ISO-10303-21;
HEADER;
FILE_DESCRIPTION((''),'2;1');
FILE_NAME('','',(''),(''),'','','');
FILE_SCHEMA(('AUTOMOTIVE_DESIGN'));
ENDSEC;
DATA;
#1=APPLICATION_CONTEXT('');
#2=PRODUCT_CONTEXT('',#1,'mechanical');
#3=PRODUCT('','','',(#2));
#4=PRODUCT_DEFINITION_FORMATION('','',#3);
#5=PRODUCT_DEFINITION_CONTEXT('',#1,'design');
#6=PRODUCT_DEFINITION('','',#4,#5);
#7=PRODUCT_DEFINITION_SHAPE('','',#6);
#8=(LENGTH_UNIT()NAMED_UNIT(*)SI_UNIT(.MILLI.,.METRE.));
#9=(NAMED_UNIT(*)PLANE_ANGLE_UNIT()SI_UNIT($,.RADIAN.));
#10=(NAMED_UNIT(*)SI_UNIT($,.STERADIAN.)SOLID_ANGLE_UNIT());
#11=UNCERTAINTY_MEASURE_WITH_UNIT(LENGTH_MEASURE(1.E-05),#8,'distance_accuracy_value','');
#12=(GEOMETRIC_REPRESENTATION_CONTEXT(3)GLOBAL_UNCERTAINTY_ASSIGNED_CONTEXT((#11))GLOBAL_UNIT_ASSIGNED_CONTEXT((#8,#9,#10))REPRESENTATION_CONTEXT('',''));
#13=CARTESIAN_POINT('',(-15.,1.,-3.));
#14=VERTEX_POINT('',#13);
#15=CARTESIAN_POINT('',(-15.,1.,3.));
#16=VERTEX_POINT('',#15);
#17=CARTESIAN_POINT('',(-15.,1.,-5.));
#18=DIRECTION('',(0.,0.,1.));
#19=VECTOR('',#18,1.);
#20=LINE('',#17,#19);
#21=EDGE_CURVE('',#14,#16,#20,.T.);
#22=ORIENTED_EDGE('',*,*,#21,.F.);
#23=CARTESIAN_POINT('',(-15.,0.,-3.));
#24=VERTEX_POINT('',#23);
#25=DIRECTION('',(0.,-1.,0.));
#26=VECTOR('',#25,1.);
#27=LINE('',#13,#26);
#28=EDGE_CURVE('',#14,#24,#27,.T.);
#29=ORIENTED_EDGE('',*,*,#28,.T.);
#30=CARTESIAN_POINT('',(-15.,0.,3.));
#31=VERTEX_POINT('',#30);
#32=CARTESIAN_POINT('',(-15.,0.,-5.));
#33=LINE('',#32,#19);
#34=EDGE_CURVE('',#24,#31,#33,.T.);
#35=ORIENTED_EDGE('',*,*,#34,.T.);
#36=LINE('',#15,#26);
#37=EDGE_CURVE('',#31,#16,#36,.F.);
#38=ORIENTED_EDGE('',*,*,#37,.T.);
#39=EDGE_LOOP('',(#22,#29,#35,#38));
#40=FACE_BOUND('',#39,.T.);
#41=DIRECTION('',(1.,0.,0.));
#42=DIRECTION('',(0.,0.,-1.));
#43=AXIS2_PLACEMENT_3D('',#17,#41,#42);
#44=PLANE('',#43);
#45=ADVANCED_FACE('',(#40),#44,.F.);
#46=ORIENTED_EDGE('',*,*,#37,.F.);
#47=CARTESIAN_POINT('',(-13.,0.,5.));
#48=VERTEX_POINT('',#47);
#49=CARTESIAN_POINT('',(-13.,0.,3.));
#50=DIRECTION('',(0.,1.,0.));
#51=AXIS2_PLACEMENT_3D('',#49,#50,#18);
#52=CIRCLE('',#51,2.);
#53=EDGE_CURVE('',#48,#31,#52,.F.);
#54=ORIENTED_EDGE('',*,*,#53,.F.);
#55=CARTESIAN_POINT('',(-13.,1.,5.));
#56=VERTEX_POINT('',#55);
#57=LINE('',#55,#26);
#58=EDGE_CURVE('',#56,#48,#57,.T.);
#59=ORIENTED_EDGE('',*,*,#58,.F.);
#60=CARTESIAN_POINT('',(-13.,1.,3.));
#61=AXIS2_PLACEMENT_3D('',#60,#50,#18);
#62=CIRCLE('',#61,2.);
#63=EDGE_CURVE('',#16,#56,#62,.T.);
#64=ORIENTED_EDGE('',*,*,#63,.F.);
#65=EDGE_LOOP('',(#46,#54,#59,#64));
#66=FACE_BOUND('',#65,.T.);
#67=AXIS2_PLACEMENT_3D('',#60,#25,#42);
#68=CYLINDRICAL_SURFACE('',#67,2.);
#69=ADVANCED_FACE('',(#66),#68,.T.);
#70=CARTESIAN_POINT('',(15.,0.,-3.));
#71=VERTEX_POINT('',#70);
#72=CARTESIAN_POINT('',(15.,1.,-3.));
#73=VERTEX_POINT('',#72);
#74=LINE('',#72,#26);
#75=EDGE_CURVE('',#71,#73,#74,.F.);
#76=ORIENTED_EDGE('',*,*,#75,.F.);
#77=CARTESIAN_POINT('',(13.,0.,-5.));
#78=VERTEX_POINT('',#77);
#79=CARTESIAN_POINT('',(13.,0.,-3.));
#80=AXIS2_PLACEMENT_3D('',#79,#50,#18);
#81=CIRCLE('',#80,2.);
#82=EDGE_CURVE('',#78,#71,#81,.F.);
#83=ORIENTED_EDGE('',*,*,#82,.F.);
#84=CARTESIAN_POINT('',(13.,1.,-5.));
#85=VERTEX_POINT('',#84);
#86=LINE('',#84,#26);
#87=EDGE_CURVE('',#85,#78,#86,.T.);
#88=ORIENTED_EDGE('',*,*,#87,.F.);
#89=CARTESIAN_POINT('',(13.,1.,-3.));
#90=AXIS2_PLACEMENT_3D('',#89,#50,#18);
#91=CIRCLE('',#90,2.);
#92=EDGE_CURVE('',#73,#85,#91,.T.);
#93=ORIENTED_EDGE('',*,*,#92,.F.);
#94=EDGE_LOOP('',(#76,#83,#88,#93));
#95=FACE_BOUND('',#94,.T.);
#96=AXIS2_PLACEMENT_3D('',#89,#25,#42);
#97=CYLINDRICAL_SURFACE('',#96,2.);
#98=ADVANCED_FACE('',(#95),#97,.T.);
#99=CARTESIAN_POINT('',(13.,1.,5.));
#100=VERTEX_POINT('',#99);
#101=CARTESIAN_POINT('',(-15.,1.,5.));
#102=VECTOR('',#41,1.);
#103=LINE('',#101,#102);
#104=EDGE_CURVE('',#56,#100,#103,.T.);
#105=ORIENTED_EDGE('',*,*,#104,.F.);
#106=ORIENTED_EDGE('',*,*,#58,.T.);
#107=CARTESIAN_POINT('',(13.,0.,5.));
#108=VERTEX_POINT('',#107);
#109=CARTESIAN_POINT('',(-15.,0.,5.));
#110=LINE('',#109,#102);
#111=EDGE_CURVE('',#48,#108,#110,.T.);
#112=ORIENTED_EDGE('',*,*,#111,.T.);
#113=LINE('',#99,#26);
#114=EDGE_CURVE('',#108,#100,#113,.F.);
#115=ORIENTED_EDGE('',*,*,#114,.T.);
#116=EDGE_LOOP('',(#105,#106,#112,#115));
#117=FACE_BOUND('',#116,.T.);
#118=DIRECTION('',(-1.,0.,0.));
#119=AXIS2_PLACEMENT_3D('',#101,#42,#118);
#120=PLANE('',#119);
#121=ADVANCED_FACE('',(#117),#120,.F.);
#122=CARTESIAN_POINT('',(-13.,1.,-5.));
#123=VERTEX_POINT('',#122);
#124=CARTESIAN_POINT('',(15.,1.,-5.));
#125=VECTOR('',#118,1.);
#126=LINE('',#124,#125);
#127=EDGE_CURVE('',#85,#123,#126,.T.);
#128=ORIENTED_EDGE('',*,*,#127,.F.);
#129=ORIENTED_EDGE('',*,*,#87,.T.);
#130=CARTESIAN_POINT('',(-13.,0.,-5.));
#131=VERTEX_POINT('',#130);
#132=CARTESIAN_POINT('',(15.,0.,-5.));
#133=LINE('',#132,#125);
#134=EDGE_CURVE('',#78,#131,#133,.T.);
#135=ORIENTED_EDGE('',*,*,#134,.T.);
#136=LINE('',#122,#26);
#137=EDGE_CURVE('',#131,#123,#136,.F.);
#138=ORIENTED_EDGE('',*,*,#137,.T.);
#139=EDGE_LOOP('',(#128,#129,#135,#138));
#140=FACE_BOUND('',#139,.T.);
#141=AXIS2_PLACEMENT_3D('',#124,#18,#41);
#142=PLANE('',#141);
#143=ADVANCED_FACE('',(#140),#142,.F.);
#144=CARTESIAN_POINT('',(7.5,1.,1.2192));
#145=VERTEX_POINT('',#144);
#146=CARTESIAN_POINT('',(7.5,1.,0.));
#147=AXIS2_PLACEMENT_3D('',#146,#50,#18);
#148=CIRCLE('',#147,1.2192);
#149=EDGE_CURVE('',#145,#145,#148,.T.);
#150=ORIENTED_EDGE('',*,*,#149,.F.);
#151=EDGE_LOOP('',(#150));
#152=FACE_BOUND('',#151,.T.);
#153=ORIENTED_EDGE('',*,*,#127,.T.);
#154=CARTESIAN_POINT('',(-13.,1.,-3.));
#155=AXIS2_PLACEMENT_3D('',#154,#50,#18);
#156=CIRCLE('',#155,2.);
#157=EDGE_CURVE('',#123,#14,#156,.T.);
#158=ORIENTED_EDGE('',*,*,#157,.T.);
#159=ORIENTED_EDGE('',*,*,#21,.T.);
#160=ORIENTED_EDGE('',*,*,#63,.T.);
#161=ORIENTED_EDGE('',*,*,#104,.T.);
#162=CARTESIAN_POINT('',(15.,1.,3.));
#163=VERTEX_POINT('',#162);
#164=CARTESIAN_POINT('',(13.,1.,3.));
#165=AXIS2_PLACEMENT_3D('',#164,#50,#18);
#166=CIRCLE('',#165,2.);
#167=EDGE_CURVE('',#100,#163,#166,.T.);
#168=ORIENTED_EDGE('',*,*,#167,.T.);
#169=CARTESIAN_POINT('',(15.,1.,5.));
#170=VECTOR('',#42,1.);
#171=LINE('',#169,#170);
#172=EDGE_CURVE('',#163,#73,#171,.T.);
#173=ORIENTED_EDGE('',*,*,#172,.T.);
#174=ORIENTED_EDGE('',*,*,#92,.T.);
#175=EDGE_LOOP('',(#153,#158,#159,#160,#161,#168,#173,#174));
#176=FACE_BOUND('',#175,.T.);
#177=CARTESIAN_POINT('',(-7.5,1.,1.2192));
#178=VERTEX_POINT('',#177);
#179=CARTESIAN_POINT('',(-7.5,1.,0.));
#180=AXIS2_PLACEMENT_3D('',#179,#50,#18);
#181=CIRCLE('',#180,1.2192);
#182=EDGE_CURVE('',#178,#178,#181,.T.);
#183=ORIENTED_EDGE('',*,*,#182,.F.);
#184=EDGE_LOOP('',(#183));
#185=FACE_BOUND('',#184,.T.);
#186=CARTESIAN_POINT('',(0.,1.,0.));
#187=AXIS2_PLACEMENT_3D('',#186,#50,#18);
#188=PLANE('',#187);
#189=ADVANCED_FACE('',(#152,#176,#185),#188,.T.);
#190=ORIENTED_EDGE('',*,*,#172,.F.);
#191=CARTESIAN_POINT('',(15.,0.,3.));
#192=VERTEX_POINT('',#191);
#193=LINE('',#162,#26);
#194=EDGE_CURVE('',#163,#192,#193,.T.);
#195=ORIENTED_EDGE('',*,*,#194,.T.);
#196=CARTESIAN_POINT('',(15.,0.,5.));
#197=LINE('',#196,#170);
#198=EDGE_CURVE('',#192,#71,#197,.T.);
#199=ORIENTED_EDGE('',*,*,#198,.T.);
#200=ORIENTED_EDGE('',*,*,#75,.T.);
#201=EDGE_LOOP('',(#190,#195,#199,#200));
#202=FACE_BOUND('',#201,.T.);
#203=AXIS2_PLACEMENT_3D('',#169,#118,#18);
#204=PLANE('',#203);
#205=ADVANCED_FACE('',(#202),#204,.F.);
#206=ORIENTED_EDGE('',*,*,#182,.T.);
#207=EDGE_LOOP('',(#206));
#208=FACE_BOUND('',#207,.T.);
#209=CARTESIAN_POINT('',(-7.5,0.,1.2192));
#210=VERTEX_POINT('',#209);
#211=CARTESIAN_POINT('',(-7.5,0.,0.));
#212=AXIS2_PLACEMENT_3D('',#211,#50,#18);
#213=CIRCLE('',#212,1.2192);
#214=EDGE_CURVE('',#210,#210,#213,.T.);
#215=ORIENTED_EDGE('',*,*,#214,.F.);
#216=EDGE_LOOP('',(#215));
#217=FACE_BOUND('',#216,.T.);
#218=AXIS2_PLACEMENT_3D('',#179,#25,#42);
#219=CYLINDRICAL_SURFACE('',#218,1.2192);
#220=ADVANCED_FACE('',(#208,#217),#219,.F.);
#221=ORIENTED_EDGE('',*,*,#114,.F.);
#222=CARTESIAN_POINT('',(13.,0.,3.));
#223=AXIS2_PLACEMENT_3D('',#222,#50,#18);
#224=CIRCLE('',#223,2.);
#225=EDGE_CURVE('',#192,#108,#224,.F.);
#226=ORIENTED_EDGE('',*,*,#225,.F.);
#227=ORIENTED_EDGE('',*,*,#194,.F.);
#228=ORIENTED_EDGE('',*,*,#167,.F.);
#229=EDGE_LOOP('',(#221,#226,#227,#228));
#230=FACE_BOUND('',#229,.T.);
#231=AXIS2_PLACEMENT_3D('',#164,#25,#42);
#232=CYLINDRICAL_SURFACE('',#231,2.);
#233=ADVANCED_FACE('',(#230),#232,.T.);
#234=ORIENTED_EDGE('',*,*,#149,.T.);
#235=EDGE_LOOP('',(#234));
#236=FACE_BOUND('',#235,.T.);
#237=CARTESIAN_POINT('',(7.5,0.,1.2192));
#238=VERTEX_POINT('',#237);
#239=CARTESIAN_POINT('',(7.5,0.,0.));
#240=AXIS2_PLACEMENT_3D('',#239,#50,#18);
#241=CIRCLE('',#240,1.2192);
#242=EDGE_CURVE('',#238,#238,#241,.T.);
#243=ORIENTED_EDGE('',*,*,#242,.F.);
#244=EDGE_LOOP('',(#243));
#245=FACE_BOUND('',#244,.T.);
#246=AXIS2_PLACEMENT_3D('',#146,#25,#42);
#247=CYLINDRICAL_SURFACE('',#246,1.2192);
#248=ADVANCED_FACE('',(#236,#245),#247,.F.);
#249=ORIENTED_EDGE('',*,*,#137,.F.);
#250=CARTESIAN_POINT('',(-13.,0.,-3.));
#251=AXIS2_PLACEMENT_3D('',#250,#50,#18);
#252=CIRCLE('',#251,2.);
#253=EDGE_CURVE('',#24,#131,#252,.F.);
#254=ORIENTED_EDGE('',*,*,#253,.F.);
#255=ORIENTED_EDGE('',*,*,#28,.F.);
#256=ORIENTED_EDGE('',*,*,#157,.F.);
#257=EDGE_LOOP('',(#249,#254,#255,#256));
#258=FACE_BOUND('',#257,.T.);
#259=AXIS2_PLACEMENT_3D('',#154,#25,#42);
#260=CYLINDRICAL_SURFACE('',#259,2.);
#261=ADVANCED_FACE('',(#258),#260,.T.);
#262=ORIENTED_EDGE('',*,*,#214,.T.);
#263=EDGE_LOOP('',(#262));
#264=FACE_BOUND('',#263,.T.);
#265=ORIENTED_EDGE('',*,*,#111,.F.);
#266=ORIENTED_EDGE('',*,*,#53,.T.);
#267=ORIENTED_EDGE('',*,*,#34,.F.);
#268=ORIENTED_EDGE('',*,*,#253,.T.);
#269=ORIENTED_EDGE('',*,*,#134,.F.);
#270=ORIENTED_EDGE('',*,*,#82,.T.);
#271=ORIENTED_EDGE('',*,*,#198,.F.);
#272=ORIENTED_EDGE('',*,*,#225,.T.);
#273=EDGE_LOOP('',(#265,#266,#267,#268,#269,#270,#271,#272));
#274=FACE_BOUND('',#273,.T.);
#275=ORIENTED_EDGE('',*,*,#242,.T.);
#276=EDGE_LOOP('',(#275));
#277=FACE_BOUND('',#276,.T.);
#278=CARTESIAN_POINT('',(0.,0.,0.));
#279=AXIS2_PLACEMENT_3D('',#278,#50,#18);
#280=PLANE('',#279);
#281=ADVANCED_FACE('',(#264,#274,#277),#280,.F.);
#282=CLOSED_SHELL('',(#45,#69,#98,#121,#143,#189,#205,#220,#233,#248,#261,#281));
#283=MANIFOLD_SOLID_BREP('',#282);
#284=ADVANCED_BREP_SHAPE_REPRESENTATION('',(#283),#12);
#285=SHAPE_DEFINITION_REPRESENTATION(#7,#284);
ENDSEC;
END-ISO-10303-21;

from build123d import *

# Parameters (mm, degrees)
SKETCH2_W           = 30
SKETCH2_H           = 10
SKETCH2_R           = 1.2192
BOSS_EXTRUDE1_DEPTH = 1
FILLET1_R           = 2


with BuildPart() as part:
    # Sketch2 → Boss-Extrude1 (new body)
    with BuildSketch(Plane(origin=(0, 0, 0), x_dir=(1, 0, 0), z_dir=(0, 1, 0))):
        Rectangle(SKETCH2_W, SKETCH2_H)
        with Locations(Location((7.5, 0, 0), (0, 0, 270))):
            Circle(SKETCH2_R, mode=Mode.SUBTRACT)
        with Locations(Location((-7.5, 0, 0), (0, 0, 270))):
            Circle(SKETCH2_R, mode=Mode.SUBTRACT)
    extrude(amount=BOSS_EXTRUDE1_DEPTH)

    # Fillet1
    fillet1_edges = [part.edges().sort_by_distance(p)[0] for p in [
        (-15, 0.5, -5),
        (15, 0.5, -5),
        (15, 0.5, 5),
        (-15, 0.5, 5),
    ]]
    fillet(fillet1_edges, radius=FILLET1_R)


solid = part.part
